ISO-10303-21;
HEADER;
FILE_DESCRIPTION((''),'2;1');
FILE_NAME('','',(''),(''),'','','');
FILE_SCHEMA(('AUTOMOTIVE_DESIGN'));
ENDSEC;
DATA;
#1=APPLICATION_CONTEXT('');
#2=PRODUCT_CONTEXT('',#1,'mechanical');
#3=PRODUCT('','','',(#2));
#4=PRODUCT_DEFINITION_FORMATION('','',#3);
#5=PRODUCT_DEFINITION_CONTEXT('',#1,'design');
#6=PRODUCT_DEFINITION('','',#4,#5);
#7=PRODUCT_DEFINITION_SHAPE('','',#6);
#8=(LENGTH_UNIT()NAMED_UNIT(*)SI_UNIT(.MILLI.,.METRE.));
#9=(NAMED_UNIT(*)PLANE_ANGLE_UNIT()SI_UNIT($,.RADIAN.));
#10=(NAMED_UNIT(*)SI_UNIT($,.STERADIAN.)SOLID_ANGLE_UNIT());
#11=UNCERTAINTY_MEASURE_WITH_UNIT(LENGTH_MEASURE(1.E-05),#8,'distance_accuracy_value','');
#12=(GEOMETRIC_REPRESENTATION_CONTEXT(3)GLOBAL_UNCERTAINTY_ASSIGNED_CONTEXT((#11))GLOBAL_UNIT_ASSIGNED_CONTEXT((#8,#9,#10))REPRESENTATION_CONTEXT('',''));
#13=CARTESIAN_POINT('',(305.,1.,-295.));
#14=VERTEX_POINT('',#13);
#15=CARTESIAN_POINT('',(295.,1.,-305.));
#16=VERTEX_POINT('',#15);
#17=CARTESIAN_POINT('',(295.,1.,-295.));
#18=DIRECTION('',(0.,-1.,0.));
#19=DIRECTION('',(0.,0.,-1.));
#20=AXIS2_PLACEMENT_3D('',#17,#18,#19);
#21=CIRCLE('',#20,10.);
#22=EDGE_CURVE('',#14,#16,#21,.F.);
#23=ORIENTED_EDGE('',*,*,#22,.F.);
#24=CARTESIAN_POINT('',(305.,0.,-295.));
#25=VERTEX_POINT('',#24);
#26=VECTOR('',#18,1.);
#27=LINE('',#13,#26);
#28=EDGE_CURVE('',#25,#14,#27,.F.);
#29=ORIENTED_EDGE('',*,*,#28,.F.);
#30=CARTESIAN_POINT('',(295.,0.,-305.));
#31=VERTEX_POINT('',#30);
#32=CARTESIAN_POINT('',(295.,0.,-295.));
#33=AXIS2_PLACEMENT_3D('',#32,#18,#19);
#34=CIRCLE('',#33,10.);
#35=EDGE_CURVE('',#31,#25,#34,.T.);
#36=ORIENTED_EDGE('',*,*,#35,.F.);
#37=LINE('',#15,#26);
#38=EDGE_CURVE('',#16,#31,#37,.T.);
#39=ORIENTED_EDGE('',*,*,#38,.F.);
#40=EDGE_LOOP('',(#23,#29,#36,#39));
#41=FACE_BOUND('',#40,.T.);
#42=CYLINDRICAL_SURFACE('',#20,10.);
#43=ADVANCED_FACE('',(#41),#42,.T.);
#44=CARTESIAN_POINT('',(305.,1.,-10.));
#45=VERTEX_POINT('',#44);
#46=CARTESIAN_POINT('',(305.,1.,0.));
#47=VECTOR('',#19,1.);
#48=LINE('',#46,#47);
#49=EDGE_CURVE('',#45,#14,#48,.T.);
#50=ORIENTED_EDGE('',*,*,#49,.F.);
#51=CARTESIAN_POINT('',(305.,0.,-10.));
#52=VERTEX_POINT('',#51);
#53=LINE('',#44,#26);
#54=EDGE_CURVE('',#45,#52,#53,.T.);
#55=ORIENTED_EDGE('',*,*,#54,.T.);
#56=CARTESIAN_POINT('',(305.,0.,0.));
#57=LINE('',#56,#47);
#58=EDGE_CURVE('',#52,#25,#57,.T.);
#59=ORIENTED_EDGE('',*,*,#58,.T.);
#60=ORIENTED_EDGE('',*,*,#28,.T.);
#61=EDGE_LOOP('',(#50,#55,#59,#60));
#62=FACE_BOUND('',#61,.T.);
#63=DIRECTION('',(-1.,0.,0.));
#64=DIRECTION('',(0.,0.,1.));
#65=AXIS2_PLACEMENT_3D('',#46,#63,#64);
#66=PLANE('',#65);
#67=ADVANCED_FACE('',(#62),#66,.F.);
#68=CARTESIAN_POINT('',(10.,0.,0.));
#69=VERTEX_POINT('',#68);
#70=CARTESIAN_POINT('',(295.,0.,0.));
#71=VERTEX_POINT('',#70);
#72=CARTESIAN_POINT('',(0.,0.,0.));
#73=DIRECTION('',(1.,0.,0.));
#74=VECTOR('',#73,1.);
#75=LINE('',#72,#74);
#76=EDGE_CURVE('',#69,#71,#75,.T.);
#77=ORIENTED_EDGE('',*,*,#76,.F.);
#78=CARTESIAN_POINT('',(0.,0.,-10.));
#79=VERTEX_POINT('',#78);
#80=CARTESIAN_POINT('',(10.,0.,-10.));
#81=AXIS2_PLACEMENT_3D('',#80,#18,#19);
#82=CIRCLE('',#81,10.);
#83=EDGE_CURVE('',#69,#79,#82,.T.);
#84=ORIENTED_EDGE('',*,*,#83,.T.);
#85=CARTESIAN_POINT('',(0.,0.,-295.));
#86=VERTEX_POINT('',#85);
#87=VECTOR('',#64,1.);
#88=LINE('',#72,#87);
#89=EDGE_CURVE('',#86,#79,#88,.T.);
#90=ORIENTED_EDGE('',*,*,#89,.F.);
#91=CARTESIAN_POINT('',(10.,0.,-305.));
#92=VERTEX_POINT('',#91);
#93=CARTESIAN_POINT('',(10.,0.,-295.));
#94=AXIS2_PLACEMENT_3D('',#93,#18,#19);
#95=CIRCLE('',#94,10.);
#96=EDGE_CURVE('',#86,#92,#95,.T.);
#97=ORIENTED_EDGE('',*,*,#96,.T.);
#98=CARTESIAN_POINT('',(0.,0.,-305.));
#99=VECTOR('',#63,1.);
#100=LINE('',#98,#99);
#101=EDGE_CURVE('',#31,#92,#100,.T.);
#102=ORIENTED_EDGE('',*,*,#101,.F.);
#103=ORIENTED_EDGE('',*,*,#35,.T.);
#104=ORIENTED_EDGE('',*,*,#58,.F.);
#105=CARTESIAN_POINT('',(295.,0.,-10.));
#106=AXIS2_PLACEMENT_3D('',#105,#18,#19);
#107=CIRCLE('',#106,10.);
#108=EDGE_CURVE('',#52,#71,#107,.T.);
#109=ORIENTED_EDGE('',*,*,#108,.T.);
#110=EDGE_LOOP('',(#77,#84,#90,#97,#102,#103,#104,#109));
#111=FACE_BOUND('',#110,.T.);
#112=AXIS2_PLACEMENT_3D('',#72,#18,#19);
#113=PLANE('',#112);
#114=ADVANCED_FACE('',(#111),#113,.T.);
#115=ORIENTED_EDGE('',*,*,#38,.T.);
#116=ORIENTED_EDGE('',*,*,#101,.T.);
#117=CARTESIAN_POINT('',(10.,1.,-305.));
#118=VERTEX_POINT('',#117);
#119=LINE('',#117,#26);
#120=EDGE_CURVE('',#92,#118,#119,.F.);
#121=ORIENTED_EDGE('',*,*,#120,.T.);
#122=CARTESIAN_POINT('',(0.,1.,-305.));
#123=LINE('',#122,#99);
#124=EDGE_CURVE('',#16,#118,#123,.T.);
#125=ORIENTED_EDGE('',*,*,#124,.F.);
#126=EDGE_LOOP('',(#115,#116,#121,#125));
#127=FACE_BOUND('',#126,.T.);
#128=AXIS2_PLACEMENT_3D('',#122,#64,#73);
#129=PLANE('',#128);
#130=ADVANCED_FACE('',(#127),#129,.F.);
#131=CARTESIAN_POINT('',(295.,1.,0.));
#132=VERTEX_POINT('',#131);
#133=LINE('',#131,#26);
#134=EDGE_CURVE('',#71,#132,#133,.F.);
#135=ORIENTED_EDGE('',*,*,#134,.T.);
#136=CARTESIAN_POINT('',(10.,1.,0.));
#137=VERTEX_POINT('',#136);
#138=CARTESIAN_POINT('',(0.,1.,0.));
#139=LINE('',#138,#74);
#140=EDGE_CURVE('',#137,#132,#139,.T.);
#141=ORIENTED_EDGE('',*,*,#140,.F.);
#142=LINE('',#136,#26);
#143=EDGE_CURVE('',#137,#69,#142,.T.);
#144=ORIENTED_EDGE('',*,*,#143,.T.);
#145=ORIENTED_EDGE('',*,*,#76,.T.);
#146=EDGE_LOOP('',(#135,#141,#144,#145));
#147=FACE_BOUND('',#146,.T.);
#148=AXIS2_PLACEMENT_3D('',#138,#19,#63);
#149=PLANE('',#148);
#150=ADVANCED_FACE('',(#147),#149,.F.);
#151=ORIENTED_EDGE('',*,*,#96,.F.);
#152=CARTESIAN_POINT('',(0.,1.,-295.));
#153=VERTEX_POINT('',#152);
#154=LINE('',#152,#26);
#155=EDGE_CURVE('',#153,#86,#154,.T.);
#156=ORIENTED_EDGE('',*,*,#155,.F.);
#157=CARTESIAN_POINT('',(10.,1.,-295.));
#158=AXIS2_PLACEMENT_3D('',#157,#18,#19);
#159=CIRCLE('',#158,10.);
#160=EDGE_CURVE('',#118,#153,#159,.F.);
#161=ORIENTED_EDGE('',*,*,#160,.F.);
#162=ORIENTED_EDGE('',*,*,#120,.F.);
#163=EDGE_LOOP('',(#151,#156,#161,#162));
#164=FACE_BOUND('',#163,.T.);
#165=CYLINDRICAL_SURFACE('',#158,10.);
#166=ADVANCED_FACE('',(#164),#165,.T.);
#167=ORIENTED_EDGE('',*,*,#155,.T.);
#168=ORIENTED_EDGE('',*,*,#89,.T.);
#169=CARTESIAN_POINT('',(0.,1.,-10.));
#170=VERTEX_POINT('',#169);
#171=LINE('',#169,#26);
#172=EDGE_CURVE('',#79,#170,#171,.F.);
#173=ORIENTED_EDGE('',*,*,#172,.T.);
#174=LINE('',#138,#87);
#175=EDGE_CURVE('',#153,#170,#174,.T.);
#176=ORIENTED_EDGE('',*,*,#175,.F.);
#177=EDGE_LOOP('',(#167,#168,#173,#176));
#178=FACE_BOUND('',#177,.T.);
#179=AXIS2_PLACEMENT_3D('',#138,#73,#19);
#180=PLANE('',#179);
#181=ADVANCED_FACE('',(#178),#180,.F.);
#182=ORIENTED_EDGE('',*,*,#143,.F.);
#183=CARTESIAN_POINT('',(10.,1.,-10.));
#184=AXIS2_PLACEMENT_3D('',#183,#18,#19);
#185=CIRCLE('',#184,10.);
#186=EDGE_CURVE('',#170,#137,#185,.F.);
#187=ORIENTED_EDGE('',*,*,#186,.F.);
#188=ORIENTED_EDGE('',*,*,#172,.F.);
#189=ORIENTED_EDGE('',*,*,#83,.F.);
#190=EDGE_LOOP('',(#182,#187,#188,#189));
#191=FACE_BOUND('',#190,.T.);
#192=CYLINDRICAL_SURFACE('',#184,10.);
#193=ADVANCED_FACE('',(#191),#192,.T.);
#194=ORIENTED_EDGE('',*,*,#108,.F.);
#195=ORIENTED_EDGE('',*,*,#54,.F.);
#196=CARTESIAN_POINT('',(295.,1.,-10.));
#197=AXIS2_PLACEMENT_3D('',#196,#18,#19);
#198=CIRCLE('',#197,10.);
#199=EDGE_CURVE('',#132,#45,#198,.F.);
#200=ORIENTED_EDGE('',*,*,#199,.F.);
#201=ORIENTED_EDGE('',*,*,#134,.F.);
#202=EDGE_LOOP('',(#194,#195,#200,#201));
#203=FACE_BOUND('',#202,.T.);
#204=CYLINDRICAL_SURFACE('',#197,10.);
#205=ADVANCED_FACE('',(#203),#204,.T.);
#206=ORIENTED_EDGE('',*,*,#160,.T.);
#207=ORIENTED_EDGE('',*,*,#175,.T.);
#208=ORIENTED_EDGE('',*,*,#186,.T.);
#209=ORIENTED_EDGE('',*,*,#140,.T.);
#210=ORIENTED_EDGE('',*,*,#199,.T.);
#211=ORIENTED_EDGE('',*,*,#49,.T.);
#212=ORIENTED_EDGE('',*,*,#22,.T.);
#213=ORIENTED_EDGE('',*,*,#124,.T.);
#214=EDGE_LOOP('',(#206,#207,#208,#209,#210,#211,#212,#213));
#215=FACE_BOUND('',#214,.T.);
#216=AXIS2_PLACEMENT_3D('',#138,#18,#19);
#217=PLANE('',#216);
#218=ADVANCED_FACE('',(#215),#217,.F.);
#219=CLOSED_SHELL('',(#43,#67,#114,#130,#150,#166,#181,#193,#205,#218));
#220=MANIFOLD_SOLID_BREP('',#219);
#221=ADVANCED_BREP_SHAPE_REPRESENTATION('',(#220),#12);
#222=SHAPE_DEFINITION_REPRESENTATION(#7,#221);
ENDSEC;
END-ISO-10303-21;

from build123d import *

# Parameters (mm, degrees)
SKETCH1_W           = 305
SKETCH1_H           = 305
BOSS_EXTRUDE1_DEPTH = 1
FILLET1_R           = 10


with BuildPart() as part:
    # Sketch1 → Boss-Extrude1 (new body)
    with BuildSketch(Plane(origin=(0, 0, 0), x_dir=(1, 0, 0), z_dir=(0, 1, 0))):
        with Locations((152.5, 152.5)):
            Rectangle(SKETCH1_W, SKETCH1_H)
    extrude(amount=BOSS_EXTRUDE1_DEPTH)

    # Fillet1
    fillet1_edges = [part.edges().sort_by_distance(p)[0] for p in [
        (0, 0.5, -305),
        (305, 0.5, -305),
        (305, 0.5, 0),
        (0, 0.5, 0),
    ]]
    fillet(fillet1_edges, radius=FILLET1_R)


solid = part.part
